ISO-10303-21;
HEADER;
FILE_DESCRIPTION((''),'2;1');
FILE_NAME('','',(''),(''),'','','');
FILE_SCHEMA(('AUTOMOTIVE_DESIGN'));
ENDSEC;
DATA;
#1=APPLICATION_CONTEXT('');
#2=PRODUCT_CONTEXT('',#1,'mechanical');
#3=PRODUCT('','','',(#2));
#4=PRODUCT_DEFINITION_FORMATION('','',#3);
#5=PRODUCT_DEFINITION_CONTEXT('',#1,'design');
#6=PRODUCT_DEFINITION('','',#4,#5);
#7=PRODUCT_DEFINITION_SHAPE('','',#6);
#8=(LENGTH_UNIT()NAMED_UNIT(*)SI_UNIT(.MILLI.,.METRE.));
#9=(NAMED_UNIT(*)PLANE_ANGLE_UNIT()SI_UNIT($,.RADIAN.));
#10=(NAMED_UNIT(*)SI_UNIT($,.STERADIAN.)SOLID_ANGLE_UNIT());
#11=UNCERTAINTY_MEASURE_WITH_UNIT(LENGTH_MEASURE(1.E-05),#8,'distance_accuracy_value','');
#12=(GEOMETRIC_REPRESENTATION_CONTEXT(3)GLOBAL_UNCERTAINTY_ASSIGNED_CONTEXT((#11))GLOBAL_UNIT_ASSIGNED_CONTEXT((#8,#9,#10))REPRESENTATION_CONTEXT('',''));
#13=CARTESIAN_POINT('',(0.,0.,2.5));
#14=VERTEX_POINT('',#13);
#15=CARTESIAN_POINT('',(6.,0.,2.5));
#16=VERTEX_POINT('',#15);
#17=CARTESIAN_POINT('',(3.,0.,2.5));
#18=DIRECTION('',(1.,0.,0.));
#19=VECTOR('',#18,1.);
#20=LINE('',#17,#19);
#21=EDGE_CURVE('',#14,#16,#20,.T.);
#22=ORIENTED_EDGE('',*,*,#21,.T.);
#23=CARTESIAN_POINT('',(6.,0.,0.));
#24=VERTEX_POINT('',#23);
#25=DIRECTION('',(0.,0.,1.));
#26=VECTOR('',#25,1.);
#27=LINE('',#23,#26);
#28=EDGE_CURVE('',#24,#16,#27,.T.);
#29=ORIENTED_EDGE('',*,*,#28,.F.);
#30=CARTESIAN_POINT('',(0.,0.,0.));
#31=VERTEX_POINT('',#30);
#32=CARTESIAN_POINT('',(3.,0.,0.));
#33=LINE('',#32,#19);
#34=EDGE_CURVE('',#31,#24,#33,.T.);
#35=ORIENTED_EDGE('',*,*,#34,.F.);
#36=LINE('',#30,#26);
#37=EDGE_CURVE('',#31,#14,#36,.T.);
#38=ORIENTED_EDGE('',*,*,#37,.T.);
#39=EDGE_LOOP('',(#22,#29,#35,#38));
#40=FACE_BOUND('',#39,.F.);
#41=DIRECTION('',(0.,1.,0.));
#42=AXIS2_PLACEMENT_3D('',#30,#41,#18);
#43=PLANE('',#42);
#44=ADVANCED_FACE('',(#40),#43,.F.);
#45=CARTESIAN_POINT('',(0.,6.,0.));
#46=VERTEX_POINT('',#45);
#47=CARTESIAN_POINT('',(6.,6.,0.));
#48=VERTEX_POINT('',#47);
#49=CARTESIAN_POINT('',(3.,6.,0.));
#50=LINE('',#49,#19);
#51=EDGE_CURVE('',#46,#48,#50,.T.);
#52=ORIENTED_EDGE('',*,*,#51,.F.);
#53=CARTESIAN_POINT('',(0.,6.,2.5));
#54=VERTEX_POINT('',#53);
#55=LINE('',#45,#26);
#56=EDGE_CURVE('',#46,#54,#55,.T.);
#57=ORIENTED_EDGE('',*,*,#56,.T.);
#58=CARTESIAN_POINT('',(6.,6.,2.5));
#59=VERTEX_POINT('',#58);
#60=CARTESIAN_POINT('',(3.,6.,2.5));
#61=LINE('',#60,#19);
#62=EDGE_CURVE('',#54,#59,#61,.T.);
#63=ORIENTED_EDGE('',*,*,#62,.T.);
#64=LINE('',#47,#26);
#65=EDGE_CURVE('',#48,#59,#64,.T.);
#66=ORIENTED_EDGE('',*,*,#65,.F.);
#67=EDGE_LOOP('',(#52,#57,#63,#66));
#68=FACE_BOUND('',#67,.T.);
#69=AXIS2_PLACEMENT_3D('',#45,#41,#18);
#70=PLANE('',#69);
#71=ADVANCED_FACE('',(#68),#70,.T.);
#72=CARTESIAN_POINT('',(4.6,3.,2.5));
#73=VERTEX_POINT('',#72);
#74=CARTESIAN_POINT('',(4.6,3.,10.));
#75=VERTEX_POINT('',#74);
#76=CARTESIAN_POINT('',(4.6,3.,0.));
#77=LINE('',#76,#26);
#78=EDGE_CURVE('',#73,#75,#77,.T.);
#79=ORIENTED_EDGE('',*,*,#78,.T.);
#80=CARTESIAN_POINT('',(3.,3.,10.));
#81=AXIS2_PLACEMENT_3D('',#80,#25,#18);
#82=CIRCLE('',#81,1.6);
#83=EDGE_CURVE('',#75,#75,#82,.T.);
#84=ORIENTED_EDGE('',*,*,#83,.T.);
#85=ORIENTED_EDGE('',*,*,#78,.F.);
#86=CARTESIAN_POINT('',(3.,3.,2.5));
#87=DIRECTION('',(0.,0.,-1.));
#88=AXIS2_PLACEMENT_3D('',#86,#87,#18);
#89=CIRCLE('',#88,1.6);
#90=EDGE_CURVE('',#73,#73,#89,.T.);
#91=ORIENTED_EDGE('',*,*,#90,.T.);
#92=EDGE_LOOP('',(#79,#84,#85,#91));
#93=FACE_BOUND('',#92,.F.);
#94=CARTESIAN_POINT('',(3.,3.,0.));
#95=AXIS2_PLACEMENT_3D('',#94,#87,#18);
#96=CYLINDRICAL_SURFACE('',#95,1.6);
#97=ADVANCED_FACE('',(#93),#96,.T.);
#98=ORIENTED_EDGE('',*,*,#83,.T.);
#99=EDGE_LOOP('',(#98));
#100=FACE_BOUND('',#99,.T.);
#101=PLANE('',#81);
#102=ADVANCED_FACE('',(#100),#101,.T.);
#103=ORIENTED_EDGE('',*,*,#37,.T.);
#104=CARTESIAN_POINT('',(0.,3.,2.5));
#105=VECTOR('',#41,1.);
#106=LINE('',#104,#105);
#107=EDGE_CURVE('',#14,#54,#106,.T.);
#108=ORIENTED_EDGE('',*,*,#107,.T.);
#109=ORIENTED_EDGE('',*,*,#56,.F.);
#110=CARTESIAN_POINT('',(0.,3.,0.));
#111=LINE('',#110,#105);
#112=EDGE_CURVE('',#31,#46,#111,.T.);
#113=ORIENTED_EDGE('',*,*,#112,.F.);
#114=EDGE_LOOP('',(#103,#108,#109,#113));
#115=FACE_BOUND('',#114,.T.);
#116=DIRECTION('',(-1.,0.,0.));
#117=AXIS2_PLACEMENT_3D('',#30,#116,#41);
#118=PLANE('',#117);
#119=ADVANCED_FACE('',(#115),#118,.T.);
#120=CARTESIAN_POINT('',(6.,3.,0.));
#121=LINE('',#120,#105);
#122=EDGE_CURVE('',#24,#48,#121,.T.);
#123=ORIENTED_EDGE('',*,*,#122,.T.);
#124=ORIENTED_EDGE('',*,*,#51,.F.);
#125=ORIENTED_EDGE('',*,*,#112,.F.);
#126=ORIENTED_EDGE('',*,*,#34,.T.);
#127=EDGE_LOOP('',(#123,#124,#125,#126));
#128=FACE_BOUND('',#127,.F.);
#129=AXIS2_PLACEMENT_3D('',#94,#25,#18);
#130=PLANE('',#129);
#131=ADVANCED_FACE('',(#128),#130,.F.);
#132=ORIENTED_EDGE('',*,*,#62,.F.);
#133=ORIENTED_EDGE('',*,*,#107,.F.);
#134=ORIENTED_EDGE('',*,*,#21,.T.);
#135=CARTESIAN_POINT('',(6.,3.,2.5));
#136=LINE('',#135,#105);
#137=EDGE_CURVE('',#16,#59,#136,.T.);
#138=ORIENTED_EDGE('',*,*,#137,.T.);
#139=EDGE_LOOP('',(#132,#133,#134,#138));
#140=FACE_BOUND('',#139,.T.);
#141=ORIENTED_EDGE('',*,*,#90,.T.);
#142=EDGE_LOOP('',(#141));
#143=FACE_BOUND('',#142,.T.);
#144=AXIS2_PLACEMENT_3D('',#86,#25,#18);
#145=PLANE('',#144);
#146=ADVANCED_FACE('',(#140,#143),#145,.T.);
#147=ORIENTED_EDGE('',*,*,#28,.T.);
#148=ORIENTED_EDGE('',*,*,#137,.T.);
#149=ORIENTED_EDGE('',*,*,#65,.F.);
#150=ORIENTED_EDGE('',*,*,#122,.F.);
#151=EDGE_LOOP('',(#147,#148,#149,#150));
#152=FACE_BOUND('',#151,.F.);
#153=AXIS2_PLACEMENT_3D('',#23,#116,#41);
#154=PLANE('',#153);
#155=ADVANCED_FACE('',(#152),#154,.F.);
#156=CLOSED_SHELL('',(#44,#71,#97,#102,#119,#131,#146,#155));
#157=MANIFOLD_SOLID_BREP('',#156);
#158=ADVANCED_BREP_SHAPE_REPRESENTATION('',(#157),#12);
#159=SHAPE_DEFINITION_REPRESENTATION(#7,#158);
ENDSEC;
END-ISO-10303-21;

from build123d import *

# Parameters (mm, degrees)
BOX038_W          = 6
BOX038_H          = 6
BOX038_DEPTH      = 2.5
CYLINDER031_R     = 1.6
CYLINDER031_DEPTH = 10


with BuildPart() as cube038:
    # Box038 → Box038 (new body)
    with BuildSketch(Plane.XY):
        with Locations((3, 3)):
            Rectangle(BOX038_W, BOX038_H)
    extrude(amount=BOX038_DEPTH)


with BuildPart() as fusion004002002004005005007:
    # Cylinder031 → Cylinder031 (new body)
    with BuildSketch(Plane(origin=(3, 3, 0), x_dir=(1, 0, 0), z_dir=(0, 0, 1))):
        Circle(CYLINDER031_R)
    extrude(amount=CYLINDER031_DEPTH)

    # Fusion004002002004005005007: union Cube038
    add(cube038.part)


solid = fusion004002002004005005007.part
